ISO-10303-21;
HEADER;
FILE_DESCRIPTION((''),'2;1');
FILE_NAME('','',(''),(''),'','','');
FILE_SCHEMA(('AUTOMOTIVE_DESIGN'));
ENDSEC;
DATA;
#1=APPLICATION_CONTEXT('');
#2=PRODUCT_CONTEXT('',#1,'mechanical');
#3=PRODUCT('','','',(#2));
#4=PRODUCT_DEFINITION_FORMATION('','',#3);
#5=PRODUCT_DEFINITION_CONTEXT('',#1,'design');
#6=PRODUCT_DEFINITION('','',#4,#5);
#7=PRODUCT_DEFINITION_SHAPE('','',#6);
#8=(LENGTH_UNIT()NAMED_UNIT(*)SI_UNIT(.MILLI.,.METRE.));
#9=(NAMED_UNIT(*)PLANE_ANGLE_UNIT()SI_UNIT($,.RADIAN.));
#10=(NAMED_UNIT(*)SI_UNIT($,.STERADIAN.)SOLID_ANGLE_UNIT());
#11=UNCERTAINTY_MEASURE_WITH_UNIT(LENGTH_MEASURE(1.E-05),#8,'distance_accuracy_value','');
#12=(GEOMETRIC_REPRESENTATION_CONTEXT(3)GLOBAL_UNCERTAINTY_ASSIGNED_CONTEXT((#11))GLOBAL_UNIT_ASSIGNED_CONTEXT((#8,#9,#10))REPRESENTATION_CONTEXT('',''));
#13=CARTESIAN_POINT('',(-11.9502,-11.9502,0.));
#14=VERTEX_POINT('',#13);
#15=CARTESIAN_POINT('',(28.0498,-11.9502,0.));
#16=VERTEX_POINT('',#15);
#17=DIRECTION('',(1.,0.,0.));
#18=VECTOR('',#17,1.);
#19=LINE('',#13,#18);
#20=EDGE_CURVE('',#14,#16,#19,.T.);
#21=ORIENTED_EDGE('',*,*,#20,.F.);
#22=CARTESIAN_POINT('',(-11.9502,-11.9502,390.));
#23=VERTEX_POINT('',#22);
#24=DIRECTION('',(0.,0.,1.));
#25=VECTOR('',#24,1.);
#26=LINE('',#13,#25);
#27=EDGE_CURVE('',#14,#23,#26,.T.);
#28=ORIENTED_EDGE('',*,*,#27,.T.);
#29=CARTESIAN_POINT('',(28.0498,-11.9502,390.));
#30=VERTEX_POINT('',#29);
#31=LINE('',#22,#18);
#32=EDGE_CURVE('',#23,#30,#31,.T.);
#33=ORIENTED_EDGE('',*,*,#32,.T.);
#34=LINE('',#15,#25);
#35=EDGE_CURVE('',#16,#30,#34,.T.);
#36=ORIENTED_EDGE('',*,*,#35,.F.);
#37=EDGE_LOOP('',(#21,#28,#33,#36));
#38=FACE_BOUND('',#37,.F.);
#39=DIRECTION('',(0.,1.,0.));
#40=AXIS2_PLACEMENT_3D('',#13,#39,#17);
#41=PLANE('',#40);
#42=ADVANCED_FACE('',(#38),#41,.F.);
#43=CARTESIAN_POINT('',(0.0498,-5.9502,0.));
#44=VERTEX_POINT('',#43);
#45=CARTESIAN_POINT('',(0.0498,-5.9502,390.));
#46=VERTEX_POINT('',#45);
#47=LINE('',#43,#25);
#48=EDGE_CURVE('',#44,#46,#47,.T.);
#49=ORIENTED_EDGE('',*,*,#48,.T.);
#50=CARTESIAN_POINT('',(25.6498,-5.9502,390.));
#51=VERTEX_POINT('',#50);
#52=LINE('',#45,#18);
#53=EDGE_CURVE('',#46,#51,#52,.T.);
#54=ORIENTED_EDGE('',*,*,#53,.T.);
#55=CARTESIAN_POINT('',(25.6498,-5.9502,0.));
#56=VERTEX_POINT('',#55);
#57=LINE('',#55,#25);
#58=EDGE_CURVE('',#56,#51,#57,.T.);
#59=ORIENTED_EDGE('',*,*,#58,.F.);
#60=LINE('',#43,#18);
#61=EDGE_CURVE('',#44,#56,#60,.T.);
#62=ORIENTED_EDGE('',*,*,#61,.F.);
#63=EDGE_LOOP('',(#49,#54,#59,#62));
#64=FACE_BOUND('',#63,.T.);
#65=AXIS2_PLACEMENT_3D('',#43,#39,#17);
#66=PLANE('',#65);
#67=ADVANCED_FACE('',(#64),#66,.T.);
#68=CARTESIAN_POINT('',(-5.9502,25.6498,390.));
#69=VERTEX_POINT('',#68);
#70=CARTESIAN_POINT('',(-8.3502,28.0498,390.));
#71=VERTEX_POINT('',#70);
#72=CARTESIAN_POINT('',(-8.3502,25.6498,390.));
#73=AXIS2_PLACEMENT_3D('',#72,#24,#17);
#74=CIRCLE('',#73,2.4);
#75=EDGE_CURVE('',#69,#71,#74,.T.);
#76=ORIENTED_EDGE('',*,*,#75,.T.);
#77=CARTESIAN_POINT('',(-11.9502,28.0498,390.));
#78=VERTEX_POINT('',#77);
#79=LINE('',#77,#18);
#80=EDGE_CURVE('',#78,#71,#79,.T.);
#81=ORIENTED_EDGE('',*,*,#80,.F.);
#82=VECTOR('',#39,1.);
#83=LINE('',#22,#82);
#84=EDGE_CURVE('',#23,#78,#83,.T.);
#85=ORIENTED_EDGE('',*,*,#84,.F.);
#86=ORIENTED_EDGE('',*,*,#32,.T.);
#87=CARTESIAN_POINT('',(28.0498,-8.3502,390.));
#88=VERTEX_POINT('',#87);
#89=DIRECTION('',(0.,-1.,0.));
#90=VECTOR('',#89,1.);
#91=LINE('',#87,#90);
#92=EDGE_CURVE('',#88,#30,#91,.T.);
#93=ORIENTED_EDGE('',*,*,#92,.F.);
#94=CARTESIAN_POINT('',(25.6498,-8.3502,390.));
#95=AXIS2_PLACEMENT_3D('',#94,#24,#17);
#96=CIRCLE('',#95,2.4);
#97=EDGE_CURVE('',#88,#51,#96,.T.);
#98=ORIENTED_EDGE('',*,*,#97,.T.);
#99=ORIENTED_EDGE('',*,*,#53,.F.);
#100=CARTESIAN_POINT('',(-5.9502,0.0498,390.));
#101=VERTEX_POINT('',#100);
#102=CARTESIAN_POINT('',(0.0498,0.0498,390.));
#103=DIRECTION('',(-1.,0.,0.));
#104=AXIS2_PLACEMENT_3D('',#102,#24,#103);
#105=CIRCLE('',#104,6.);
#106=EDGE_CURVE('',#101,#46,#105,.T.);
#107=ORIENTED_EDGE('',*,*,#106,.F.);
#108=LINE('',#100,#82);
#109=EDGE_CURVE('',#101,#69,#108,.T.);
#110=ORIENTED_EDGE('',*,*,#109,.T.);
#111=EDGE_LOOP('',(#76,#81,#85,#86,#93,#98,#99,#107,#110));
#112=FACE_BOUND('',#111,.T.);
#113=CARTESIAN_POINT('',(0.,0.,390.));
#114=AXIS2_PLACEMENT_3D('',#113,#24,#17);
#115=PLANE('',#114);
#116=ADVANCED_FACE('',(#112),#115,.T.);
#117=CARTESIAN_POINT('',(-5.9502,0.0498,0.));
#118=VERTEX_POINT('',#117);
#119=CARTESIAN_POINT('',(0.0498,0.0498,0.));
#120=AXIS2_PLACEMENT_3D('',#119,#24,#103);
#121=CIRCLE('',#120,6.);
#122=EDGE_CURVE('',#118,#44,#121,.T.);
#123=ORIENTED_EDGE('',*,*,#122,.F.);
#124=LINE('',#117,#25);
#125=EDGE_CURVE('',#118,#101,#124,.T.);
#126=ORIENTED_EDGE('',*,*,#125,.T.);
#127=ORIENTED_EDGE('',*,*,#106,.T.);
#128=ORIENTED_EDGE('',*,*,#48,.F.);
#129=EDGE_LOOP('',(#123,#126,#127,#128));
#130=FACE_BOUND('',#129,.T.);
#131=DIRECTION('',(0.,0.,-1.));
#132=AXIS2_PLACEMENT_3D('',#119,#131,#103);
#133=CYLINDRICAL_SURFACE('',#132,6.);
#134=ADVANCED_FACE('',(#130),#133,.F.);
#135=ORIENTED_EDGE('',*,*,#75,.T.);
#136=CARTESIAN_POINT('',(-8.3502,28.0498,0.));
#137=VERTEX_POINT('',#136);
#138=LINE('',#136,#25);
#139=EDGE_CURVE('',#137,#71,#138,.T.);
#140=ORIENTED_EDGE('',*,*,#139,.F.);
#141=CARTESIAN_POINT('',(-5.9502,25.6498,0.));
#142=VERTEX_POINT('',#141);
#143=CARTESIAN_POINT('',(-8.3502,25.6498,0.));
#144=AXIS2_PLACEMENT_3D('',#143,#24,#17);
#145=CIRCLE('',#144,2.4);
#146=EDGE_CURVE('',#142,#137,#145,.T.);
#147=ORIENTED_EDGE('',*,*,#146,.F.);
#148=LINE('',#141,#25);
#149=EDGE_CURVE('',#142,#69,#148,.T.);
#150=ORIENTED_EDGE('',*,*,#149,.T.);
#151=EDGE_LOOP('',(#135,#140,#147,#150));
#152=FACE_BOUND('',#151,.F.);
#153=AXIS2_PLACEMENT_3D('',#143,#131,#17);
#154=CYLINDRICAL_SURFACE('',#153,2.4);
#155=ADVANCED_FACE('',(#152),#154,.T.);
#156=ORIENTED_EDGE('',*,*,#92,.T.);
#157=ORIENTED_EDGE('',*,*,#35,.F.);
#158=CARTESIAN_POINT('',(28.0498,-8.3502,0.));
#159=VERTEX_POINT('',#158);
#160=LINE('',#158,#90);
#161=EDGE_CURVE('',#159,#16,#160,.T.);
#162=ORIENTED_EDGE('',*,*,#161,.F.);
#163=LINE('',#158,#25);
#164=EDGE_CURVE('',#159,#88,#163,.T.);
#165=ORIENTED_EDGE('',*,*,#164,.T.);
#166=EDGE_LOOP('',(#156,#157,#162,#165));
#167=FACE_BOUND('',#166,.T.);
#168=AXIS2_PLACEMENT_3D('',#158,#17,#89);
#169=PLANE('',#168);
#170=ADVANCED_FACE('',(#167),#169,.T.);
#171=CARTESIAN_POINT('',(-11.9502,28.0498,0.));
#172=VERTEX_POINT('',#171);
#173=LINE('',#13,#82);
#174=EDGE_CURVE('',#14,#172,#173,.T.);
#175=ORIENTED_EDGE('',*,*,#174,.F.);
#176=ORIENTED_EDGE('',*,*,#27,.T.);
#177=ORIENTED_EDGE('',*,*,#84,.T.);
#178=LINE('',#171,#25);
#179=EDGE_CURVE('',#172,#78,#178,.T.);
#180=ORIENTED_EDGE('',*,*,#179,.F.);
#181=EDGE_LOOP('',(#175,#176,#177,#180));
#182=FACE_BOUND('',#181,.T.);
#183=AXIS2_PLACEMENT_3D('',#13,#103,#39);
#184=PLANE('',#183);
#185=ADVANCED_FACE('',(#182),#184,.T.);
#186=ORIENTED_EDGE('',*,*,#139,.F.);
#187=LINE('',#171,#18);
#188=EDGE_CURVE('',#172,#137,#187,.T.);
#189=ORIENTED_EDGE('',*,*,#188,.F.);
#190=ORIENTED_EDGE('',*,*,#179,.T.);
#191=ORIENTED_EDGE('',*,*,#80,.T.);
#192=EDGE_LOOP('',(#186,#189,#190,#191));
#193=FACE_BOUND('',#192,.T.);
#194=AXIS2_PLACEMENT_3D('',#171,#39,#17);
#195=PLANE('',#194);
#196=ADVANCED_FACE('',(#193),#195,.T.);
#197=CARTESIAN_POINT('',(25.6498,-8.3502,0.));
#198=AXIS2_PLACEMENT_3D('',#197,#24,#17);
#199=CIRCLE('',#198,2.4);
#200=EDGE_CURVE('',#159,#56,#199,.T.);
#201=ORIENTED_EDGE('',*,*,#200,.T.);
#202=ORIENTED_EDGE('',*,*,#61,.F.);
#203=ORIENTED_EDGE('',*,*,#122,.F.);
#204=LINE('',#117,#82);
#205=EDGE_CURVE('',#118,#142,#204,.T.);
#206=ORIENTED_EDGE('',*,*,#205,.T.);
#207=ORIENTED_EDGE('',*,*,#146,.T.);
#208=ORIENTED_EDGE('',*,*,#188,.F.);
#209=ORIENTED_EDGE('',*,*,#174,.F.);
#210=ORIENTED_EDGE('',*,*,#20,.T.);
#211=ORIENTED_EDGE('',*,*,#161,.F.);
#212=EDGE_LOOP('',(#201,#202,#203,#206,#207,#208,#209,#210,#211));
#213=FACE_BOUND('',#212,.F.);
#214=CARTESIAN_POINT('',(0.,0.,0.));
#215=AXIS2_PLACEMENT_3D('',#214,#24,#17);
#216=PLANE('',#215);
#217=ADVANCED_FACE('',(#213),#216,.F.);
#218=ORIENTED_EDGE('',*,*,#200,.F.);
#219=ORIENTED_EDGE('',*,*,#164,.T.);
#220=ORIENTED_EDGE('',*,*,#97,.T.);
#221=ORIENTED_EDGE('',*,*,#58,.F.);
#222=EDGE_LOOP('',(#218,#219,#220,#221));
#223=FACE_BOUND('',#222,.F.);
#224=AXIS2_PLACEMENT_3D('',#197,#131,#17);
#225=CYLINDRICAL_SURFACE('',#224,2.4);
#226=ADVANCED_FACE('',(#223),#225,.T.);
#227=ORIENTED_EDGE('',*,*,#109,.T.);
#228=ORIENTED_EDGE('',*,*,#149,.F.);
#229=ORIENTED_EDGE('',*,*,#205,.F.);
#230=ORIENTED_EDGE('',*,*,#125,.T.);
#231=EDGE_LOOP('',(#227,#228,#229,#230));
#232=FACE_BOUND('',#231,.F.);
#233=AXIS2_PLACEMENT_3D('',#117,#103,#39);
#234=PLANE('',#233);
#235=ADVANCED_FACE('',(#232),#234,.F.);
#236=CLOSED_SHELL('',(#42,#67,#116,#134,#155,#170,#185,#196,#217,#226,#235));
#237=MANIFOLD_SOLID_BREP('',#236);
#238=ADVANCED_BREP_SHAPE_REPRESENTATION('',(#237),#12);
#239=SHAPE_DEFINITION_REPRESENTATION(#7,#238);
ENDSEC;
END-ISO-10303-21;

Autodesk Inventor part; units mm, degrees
ref_plane "YZ Plane" through (0, 0, 0) normal (1, 0, 0) x (0, 1, 0)
ref_plane "Start Plane" through (0, 0, 0) normal (0, 0, 1) x (1, 0, 0)
ref_plane "End Plane" through (0, 0, 390) normal (0, 0, 1) x (1, 0, 0)
sketch "Sketch" plane through (0, 0, 0) normal (0, 0, 1) x (1, 0, 0)
  line L0 (-5.9502, 0.0498) -> (-5.9502, 25.6498)
  line L1 (-11.9502, 28.0498) -> (-8.3502, 28.0498)
  line L2 (-11.9502, -11.9502) -> (-11.9502, 28.0498)
  line L3 (-11.9502, -11.9502) -> (28.0498, -11.9502)
  line L4 (28.0498, -8.3502) -> (28.0498, -11.9502)
  line L5 (0.0498, -5.9502) -> (25.6498, -5.9502)
  arc A0 (-5.9502, 0.0498) -> (0.0498, -5.9502) centre (0.0498, 0.0498) ccw
  arc A1 (-5.9502, 25.6498) -> (-8.3502, 28.0498) centre (-8.3502, 25.6498) ccw
  arc A2 (28.0498, -8.3502) -> (25.6498, -5.9502) centre (25.6498, -8.3502) ccw
  line L6 (0, 36.6463) -> (0, -20.0496) construction
  line L7 (-20.0496, 0) -> (36.6463, 0) construction
  point P0 (-5.9502, -5.9502)
  point P1 (-5.9502, 28.0498)
  point P2 (28.0498, -5.9502)
  dimension "d4" = 40
  dimension "d6" = 40
  dimension "d8" = 6
  dimension "d10" = 6
  dimension "d17" = 6
  dimension "d18" = 2.4
  dimension "d19" = 11.9502
  dimension "d20" = 11.9502
extrude "Body" add sketch "Sketch" along normal up to surface (390 mm away) from surface at 0
sketch "Sketch3" plane through (0, 0, 0) normal (0, 0, 1) x (1, 0, 0)
  line L0 (0, 0) -> (10, 0)
ref_plane "Work Plane10" through (0, 0, 0) normal (0, -1, 0) x (1, 0, 0)
sketch "Sketch4" plane through (0, 0, 0) normal (0, -1, 0) x (1, 0, 0)
  line L0 (-2, 0) -> (12, 0)
  line L1 (-2, 390) -> (12, 390)
  dimension "d24" = 390
equation "\"d4\" = b"
equation "\"d6\" = b"
equation "\"d8\" = ParT"
equation "\"d10\" = ParT"
equation "\"d17\" = R"
equation "\"d18\" = R1"
equation "\"d19\" = ex"
equation "\"d20\" = d19"
equation "\"d11\" = G_L"
equation "\"b\" = 40"
equation "\"ParT\" = 6"
equation "\"R\" = 6"
equation "\"R1\" = 2.4"
equation "\"G_L\" = d24"
equation "\"G_OFFSET_START\" = 0"
equation "\"G_OFFSET_END\" = 0"
equation "\"ex\" = 11.950185"
properties part number "BS 4848 - 40x40x6-390" material "Steel, Mild"
